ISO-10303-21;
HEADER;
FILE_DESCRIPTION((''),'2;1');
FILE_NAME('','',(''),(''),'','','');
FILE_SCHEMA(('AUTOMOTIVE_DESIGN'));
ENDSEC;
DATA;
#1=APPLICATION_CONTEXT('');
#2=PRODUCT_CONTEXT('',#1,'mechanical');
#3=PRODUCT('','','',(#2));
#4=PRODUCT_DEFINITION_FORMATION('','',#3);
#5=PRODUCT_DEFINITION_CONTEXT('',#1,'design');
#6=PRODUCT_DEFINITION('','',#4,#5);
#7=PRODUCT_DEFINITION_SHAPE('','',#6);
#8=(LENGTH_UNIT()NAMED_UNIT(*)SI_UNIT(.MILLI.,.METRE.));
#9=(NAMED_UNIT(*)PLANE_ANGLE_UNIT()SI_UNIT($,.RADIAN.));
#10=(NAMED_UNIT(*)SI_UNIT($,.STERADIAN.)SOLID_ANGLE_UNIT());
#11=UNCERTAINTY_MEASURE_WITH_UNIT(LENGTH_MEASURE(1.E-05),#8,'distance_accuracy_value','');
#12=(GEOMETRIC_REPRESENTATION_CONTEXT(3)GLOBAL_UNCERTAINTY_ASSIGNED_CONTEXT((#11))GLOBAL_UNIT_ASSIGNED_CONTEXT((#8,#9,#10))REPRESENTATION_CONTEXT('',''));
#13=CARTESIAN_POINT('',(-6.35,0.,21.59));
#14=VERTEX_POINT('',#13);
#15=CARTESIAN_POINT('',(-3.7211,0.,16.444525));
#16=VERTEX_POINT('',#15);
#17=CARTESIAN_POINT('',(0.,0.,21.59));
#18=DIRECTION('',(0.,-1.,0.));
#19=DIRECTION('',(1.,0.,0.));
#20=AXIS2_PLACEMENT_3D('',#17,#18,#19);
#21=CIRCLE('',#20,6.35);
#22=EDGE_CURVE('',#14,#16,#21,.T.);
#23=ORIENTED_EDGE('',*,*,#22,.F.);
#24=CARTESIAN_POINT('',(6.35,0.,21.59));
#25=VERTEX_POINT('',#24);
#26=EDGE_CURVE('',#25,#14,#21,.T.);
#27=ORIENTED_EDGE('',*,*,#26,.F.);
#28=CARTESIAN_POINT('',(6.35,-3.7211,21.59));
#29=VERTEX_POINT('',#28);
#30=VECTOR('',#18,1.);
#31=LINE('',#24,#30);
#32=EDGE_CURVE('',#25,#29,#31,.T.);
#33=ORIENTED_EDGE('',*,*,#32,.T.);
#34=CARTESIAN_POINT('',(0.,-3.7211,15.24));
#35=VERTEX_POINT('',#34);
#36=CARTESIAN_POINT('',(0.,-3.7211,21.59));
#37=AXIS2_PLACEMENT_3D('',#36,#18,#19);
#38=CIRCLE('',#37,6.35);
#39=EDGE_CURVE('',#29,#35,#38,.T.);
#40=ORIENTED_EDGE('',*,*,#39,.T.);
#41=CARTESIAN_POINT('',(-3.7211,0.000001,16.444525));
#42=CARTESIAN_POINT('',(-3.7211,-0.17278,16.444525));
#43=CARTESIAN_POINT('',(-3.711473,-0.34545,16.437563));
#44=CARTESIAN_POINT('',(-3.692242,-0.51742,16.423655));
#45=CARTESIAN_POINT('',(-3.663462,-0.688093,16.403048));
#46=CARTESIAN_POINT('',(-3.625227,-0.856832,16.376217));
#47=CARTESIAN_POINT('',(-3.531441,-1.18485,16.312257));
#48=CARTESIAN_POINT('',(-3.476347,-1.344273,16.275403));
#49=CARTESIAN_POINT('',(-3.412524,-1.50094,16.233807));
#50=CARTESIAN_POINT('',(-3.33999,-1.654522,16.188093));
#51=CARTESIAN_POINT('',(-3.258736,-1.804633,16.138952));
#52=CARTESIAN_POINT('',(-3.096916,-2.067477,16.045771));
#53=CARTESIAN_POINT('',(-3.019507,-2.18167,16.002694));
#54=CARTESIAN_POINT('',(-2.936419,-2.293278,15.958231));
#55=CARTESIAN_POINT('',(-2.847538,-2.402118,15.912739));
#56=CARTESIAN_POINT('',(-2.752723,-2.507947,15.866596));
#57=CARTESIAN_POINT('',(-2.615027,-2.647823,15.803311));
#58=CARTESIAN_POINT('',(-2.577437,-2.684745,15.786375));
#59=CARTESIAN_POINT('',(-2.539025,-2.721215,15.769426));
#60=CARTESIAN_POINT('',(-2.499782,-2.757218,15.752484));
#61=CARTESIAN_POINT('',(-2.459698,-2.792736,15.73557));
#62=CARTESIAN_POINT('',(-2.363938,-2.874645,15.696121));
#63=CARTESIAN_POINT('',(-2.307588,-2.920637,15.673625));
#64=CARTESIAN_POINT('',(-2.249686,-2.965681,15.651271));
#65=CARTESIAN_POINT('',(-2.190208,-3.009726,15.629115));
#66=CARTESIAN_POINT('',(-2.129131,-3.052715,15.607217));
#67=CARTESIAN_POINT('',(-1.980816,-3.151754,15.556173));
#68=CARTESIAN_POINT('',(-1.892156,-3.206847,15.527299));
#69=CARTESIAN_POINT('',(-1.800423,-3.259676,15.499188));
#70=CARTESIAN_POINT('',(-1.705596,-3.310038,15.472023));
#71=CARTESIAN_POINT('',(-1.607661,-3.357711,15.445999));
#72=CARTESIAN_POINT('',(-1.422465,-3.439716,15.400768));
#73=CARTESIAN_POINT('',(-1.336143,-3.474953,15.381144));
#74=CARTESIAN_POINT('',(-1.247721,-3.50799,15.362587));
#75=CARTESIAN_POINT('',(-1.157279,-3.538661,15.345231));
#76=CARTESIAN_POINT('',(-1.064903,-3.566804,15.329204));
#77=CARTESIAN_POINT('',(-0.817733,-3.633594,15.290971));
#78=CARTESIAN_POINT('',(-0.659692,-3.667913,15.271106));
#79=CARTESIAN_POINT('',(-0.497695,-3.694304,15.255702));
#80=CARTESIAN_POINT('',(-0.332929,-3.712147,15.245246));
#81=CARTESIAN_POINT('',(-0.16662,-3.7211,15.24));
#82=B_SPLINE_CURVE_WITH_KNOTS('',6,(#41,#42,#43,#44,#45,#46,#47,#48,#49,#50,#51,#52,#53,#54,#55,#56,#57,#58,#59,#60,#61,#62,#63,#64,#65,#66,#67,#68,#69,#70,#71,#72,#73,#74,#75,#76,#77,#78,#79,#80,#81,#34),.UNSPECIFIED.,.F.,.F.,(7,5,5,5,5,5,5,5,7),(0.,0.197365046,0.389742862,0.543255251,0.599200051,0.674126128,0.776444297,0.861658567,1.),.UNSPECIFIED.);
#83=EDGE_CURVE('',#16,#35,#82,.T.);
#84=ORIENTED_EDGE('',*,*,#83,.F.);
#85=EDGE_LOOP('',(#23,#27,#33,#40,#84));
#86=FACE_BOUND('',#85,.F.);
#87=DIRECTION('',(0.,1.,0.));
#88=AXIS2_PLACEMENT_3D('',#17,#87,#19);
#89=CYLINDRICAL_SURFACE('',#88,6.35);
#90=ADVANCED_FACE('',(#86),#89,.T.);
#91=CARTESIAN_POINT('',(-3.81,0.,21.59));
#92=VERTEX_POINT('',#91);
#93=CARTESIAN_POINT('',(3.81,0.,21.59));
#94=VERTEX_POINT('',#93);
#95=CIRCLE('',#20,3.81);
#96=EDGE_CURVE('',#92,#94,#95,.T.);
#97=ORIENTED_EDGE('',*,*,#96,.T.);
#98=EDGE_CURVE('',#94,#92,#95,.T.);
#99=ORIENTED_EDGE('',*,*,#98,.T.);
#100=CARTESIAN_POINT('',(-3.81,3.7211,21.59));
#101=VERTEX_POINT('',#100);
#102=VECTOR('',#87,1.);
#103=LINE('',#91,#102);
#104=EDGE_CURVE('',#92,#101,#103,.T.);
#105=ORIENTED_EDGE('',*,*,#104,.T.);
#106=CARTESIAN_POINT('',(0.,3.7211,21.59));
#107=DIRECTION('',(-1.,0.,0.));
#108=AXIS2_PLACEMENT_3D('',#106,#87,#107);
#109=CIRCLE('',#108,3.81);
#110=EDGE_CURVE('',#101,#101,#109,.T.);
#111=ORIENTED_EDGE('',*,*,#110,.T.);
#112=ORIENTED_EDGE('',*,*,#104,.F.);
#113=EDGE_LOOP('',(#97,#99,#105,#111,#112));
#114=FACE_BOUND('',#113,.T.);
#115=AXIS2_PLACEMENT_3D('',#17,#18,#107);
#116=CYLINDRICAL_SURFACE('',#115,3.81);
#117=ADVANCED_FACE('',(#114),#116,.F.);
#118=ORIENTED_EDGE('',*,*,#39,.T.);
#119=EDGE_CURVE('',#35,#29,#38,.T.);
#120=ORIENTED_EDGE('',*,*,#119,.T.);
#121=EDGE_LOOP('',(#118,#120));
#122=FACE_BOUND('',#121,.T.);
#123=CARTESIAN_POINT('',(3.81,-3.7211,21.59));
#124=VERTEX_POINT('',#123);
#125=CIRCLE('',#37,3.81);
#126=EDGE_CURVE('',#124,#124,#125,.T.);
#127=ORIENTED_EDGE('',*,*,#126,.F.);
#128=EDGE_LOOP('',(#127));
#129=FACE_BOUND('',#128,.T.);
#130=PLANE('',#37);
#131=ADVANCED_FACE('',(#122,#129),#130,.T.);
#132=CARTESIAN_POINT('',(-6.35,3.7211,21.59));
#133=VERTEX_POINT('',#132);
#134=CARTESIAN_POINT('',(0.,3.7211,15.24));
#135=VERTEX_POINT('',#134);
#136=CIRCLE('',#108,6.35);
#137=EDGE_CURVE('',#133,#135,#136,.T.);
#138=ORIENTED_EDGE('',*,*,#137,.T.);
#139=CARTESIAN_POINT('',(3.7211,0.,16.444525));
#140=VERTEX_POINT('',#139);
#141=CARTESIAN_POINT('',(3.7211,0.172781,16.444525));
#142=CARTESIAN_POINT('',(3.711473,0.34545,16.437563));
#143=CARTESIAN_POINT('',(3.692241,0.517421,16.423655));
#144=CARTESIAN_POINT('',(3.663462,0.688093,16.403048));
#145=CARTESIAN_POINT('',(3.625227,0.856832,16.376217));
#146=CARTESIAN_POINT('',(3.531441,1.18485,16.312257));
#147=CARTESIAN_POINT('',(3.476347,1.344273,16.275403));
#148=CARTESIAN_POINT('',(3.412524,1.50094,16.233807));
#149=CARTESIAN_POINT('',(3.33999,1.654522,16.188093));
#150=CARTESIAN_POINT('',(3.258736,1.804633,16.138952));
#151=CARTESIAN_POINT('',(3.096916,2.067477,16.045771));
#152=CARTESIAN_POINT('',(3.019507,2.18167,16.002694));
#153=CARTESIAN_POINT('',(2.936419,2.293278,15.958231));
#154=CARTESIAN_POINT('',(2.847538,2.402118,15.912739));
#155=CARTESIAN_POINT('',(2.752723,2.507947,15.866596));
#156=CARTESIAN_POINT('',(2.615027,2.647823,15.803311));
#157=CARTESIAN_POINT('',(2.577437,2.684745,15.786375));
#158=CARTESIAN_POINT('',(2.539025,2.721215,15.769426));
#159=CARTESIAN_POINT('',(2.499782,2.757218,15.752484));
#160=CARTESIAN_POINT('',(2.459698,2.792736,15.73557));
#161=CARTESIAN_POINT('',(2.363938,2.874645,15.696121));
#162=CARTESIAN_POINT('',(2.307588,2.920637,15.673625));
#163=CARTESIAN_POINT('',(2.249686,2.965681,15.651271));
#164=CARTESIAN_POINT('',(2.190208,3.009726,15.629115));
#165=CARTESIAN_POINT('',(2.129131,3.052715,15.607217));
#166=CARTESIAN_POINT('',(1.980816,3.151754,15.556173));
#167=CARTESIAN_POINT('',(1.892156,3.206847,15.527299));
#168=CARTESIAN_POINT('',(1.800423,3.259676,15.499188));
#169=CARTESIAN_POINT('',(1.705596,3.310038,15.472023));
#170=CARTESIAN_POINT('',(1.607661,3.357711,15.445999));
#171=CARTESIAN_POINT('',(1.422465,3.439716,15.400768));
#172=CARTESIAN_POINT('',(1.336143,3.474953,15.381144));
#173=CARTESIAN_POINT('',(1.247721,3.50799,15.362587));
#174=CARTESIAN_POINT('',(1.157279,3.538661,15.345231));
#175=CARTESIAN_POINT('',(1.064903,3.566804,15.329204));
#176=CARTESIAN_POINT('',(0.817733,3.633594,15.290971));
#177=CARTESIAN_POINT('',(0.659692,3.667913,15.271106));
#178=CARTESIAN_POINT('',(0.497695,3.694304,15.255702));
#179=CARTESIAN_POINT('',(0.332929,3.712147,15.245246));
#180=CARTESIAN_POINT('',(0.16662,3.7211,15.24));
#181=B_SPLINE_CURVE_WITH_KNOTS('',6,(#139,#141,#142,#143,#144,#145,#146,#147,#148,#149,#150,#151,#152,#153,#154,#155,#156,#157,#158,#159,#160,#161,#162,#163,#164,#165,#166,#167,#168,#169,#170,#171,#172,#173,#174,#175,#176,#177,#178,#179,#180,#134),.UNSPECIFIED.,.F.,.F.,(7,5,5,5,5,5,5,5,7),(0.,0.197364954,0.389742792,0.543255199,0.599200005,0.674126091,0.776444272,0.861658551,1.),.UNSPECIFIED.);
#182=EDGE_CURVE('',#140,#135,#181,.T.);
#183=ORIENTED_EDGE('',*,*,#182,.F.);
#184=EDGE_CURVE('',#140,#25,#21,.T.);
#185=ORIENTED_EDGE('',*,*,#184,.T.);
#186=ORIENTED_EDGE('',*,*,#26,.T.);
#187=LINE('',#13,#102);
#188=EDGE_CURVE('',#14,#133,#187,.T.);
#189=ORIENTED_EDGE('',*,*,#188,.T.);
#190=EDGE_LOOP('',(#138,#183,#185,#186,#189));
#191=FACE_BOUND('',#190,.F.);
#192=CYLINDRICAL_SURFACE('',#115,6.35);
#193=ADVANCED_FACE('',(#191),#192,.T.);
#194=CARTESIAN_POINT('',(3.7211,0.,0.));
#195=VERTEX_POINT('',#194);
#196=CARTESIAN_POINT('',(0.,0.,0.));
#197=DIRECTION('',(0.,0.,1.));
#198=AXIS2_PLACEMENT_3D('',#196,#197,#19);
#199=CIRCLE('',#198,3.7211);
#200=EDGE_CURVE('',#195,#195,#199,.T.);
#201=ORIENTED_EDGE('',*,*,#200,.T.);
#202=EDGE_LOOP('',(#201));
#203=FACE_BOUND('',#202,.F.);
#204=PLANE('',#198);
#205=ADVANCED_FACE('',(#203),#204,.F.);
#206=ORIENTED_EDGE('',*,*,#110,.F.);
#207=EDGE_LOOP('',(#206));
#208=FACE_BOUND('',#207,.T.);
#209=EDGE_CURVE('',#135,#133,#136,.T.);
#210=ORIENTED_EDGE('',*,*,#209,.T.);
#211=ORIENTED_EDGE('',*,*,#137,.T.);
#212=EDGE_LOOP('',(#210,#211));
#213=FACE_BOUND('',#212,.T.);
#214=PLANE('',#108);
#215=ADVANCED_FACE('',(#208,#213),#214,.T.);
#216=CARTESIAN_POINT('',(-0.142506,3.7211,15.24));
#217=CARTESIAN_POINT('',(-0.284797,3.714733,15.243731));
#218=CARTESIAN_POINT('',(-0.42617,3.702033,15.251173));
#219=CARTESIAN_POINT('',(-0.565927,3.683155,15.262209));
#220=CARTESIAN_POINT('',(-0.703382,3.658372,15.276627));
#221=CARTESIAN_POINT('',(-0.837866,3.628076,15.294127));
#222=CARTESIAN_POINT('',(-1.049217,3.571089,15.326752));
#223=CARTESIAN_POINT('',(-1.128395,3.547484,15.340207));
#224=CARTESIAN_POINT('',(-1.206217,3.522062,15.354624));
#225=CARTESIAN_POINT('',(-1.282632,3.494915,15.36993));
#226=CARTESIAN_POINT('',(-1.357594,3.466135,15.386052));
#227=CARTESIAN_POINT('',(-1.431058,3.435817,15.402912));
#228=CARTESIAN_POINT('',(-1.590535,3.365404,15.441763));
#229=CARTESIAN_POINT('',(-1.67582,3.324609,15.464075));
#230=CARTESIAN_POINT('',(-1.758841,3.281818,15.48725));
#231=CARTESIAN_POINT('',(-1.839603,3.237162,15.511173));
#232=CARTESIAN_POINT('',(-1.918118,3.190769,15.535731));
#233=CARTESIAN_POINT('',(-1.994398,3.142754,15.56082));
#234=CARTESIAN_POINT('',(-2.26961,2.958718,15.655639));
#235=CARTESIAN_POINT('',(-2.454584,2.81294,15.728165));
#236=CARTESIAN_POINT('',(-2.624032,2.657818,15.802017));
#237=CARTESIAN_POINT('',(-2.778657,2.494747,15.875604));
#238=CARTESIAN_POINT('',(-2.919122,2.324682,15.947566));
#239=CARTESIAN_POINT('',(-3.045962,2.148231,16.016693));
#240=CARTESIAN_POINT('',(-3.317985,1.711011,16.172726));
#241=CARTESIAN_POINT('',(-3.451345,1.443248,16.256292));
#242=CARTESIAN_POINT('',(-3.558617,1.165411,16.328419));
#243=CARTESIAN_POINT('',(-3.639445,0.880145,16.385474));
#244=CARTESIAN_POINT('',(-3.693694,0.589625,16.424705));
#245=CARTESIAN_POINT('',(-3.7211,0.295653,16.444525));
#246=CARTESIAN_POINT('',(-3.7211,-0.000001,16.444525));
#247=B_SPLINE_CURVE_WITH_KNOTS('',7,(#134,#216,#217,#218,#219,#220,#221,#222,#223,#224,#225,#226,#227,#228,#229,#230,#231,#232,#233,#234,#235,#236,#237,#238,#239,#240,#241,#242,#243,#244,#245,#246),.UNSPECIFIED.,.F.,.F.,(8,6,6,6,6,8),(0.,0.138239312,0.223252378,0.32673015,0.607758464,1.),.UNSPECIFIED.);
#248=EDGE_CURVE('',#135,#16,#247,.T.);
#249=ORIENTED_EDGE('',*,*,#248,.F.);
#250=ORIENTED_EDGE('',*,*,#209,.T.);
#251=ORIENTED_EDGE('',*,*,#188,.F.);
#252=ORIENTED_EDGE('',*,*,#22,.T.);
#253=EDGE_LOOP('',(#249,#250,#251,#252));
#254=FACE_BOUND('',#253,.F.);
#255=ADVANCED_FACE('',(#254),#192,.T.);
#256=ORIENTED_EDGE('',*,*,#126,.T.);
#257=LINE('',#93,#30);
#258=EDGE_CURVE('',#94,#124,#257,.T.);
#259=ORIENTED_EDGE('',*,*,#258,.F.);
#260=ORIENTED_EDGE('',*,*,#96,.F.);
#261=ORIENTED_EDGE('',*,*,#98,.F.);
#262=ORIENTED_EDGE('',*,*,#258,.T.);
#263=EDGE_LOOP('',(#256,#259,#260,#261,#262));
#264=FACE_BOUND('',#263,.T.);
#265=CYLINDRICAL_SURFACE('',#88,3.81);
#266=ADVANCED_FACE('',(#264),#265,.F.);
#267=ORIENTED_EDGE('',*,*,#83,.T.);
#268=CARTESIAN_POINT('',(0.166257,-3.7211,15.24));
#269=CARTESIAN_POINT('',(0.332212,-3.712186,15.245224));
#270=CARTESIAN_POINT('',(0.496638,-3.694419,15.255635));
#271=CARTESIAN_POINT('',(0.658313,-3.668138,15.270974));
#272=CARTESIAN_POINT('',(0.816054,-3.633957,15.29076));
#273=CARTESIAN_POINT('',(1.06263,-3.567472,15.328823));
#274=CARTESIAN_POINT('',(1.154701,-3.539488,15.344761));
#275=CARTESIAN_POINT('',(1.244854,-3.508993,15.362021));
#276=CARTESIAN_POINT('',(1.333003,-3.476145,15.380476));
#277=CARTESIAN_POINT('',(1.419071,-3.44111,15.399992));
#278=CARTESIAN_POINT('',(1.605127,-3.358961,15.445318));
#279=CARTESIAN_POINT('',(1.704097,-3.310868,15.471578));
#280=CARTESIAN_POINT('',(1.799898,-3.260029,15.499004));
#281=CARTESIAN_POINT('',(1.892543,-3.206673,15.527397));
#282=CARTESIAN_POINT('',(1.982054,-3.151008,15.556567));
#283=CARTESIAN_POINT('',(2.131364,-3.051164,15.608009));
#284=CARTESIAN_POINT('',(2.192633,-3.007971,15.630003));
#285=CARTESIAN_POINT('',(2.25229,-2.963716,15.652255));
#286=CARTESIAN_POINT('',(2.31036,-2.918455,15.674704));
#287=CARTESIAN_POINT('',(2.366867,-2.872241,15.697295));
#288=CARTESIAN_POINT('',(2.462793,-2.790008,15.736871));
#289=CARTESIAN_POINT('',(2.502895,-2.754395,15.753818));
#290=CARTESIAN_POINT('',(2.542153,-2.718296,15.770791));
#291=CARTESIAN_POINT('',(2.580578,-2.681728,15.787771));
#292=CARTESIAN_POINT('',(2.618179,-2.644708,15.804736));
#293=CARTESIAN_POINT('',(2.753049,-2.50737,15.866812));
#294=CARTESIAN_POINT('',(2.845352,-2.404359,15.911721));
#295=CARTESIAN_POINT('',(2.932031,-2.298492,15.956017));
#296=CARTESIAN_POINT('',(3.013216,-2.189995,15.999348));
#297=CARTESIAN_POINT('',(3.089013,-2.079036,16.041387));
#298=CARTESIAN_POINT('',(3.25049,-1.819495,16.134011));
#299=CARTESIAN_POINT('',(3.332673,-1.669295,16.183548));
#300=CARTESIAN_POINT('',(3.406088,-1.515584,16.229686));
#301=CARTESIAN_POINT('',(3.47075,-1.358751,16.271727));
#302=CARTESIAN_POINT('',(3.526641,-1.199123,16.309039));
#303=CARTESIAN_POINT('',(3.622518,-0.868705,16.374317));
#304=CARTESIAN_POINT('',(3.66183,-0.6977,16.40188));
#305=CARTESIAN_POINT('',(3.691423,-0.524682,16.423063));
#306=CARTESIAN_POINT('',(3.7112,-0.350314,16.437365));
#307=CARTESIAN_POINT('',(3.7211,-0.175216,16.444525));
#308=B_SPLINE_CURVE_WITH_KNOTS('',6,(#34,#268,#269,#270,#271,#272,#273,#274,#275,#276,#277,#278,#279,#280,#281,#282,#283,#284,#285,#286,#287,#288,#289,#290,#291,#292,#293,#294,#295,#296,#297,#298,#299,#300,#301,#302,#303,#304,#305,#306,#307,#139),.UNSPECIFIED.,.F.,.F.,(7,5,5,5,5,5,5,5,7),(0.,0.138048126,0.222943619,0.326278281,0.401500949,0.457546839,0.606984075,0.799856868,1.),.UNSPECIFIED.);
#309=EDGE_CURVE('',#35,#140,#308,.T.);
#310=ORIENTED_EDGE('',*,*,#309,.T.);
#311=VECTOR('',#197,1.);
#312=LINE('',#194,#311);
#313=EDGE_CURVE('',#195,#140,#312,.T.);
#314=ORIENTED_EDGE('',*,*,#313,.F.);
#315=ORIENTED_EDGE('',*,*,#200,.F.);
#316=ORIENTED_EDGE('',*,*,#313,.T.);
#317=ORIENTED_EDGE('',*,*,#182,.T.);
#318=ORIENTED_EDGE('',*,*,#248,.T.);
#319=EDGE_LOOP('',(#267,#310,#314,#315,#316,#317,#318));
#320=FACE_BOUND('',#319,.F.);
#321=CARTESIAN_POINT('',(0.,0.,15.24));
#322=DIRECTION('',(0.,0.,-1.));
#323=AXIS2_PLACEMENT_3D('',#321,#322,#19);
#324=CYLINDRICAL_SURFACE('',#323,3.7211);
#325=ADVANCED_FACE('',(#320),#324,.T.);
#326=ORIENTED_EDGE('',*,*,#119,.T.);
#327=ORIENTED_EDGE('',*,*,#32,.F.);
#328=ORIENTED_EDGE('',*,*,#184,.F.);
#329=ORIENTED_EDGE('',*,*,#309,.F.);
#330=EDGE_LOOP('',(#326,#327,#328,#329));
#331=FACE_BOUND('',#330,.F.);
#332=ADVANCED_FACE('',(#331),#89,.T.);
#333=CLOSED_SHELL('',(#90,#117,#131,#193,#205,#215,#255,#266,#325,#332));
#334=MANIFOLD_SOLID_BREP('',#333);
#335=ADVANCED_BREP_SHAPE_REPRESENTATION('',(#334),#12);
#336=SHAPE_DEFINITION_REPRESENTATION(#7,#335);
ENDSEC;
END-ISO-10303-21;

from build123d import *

# Parameters (mm, degrees)
F0_R      = 3.7211
F1_DEPTH  = 15.24
F3_W      = 11.0588753596
F3_H      = 5.0897249021
F4_DEPTH  = 25.4
F5_R      = 6.35
F5_R_2    = 3.81
F6_DEPTH  = 3.7211
F7_W      = 11.0588753596
F7_H      = 5.0897249021
F8_DEPTH  = 25.4
F9_R      = 6.35
F9_R_2    = 3.81
F10_DEPTH = 3.7211
F11_R     = 3.7211
F12_DEPTH = 1.27


with BuildPart() as f1:
    # F0 (on Top) → F1 (new body)
    with BuildSketch(Plane.XY):
        Circle(F0_R)
    extrude(amount=F1_DEPTH)

    # F3 (on face) → F4 (join)
    with BuildSketch(Plane.XY.offset(15.24)):
        with Locations((5.5294376798, 2.544862451)):
            Rectangle(F3_W, F3_H)
    extrude(amount=F4_DEPTH)

    # F7 (on face) → F8 (cut)
    with BuildSketch(Plane.XY.offset(40.64)):
        with Locations((5.5294376798, 2.544862451)):
            Rectangle(F7_W, F7_H)
    extrude(amount=-F8_DEPTH, mode=Mode.SUBTRACT)



with BuildPart() as f6:
    # F5 (on face) → F6 (new body)
    with BuildSketch(Plane.XZ):
        with Locations((0, 21.59)):
            Circle(F5_R)
        with Locations((0, 21.59)):
            Circle(F5_R_2, mode=Mode.SUBTRACT)
    extrude(amount=F6_DEPTH)


with BuildPart() as f10:
    # F9 (on face) → F10 (new body)
    with BuildSketch(Plane(origin=(0, 0, 0), x_dir=(-1, 0, 0), z_dir=(0, 1, 0))):
        with Locations((0, 21.59)):
            Circle(F9_R)
        with Locations((0, 21.59)):
            Circle(F9_R_2, mode=Mode.SUBTRACT)
    extrude(amount=F10_DEPTH)


with BuildPart() as f1_1:
    add(f1.part)

    add(f6.part)  # F12 merges F6

    add(f10.part)  # F12 merges F10
    # F11 (on face) → F12 (join)
    with BuildSketch(Plane.XY.offset(15.24)):
        Circle(F11_R)
    extrude(amount=F12_DEPTH)


solid = f1_1.part
